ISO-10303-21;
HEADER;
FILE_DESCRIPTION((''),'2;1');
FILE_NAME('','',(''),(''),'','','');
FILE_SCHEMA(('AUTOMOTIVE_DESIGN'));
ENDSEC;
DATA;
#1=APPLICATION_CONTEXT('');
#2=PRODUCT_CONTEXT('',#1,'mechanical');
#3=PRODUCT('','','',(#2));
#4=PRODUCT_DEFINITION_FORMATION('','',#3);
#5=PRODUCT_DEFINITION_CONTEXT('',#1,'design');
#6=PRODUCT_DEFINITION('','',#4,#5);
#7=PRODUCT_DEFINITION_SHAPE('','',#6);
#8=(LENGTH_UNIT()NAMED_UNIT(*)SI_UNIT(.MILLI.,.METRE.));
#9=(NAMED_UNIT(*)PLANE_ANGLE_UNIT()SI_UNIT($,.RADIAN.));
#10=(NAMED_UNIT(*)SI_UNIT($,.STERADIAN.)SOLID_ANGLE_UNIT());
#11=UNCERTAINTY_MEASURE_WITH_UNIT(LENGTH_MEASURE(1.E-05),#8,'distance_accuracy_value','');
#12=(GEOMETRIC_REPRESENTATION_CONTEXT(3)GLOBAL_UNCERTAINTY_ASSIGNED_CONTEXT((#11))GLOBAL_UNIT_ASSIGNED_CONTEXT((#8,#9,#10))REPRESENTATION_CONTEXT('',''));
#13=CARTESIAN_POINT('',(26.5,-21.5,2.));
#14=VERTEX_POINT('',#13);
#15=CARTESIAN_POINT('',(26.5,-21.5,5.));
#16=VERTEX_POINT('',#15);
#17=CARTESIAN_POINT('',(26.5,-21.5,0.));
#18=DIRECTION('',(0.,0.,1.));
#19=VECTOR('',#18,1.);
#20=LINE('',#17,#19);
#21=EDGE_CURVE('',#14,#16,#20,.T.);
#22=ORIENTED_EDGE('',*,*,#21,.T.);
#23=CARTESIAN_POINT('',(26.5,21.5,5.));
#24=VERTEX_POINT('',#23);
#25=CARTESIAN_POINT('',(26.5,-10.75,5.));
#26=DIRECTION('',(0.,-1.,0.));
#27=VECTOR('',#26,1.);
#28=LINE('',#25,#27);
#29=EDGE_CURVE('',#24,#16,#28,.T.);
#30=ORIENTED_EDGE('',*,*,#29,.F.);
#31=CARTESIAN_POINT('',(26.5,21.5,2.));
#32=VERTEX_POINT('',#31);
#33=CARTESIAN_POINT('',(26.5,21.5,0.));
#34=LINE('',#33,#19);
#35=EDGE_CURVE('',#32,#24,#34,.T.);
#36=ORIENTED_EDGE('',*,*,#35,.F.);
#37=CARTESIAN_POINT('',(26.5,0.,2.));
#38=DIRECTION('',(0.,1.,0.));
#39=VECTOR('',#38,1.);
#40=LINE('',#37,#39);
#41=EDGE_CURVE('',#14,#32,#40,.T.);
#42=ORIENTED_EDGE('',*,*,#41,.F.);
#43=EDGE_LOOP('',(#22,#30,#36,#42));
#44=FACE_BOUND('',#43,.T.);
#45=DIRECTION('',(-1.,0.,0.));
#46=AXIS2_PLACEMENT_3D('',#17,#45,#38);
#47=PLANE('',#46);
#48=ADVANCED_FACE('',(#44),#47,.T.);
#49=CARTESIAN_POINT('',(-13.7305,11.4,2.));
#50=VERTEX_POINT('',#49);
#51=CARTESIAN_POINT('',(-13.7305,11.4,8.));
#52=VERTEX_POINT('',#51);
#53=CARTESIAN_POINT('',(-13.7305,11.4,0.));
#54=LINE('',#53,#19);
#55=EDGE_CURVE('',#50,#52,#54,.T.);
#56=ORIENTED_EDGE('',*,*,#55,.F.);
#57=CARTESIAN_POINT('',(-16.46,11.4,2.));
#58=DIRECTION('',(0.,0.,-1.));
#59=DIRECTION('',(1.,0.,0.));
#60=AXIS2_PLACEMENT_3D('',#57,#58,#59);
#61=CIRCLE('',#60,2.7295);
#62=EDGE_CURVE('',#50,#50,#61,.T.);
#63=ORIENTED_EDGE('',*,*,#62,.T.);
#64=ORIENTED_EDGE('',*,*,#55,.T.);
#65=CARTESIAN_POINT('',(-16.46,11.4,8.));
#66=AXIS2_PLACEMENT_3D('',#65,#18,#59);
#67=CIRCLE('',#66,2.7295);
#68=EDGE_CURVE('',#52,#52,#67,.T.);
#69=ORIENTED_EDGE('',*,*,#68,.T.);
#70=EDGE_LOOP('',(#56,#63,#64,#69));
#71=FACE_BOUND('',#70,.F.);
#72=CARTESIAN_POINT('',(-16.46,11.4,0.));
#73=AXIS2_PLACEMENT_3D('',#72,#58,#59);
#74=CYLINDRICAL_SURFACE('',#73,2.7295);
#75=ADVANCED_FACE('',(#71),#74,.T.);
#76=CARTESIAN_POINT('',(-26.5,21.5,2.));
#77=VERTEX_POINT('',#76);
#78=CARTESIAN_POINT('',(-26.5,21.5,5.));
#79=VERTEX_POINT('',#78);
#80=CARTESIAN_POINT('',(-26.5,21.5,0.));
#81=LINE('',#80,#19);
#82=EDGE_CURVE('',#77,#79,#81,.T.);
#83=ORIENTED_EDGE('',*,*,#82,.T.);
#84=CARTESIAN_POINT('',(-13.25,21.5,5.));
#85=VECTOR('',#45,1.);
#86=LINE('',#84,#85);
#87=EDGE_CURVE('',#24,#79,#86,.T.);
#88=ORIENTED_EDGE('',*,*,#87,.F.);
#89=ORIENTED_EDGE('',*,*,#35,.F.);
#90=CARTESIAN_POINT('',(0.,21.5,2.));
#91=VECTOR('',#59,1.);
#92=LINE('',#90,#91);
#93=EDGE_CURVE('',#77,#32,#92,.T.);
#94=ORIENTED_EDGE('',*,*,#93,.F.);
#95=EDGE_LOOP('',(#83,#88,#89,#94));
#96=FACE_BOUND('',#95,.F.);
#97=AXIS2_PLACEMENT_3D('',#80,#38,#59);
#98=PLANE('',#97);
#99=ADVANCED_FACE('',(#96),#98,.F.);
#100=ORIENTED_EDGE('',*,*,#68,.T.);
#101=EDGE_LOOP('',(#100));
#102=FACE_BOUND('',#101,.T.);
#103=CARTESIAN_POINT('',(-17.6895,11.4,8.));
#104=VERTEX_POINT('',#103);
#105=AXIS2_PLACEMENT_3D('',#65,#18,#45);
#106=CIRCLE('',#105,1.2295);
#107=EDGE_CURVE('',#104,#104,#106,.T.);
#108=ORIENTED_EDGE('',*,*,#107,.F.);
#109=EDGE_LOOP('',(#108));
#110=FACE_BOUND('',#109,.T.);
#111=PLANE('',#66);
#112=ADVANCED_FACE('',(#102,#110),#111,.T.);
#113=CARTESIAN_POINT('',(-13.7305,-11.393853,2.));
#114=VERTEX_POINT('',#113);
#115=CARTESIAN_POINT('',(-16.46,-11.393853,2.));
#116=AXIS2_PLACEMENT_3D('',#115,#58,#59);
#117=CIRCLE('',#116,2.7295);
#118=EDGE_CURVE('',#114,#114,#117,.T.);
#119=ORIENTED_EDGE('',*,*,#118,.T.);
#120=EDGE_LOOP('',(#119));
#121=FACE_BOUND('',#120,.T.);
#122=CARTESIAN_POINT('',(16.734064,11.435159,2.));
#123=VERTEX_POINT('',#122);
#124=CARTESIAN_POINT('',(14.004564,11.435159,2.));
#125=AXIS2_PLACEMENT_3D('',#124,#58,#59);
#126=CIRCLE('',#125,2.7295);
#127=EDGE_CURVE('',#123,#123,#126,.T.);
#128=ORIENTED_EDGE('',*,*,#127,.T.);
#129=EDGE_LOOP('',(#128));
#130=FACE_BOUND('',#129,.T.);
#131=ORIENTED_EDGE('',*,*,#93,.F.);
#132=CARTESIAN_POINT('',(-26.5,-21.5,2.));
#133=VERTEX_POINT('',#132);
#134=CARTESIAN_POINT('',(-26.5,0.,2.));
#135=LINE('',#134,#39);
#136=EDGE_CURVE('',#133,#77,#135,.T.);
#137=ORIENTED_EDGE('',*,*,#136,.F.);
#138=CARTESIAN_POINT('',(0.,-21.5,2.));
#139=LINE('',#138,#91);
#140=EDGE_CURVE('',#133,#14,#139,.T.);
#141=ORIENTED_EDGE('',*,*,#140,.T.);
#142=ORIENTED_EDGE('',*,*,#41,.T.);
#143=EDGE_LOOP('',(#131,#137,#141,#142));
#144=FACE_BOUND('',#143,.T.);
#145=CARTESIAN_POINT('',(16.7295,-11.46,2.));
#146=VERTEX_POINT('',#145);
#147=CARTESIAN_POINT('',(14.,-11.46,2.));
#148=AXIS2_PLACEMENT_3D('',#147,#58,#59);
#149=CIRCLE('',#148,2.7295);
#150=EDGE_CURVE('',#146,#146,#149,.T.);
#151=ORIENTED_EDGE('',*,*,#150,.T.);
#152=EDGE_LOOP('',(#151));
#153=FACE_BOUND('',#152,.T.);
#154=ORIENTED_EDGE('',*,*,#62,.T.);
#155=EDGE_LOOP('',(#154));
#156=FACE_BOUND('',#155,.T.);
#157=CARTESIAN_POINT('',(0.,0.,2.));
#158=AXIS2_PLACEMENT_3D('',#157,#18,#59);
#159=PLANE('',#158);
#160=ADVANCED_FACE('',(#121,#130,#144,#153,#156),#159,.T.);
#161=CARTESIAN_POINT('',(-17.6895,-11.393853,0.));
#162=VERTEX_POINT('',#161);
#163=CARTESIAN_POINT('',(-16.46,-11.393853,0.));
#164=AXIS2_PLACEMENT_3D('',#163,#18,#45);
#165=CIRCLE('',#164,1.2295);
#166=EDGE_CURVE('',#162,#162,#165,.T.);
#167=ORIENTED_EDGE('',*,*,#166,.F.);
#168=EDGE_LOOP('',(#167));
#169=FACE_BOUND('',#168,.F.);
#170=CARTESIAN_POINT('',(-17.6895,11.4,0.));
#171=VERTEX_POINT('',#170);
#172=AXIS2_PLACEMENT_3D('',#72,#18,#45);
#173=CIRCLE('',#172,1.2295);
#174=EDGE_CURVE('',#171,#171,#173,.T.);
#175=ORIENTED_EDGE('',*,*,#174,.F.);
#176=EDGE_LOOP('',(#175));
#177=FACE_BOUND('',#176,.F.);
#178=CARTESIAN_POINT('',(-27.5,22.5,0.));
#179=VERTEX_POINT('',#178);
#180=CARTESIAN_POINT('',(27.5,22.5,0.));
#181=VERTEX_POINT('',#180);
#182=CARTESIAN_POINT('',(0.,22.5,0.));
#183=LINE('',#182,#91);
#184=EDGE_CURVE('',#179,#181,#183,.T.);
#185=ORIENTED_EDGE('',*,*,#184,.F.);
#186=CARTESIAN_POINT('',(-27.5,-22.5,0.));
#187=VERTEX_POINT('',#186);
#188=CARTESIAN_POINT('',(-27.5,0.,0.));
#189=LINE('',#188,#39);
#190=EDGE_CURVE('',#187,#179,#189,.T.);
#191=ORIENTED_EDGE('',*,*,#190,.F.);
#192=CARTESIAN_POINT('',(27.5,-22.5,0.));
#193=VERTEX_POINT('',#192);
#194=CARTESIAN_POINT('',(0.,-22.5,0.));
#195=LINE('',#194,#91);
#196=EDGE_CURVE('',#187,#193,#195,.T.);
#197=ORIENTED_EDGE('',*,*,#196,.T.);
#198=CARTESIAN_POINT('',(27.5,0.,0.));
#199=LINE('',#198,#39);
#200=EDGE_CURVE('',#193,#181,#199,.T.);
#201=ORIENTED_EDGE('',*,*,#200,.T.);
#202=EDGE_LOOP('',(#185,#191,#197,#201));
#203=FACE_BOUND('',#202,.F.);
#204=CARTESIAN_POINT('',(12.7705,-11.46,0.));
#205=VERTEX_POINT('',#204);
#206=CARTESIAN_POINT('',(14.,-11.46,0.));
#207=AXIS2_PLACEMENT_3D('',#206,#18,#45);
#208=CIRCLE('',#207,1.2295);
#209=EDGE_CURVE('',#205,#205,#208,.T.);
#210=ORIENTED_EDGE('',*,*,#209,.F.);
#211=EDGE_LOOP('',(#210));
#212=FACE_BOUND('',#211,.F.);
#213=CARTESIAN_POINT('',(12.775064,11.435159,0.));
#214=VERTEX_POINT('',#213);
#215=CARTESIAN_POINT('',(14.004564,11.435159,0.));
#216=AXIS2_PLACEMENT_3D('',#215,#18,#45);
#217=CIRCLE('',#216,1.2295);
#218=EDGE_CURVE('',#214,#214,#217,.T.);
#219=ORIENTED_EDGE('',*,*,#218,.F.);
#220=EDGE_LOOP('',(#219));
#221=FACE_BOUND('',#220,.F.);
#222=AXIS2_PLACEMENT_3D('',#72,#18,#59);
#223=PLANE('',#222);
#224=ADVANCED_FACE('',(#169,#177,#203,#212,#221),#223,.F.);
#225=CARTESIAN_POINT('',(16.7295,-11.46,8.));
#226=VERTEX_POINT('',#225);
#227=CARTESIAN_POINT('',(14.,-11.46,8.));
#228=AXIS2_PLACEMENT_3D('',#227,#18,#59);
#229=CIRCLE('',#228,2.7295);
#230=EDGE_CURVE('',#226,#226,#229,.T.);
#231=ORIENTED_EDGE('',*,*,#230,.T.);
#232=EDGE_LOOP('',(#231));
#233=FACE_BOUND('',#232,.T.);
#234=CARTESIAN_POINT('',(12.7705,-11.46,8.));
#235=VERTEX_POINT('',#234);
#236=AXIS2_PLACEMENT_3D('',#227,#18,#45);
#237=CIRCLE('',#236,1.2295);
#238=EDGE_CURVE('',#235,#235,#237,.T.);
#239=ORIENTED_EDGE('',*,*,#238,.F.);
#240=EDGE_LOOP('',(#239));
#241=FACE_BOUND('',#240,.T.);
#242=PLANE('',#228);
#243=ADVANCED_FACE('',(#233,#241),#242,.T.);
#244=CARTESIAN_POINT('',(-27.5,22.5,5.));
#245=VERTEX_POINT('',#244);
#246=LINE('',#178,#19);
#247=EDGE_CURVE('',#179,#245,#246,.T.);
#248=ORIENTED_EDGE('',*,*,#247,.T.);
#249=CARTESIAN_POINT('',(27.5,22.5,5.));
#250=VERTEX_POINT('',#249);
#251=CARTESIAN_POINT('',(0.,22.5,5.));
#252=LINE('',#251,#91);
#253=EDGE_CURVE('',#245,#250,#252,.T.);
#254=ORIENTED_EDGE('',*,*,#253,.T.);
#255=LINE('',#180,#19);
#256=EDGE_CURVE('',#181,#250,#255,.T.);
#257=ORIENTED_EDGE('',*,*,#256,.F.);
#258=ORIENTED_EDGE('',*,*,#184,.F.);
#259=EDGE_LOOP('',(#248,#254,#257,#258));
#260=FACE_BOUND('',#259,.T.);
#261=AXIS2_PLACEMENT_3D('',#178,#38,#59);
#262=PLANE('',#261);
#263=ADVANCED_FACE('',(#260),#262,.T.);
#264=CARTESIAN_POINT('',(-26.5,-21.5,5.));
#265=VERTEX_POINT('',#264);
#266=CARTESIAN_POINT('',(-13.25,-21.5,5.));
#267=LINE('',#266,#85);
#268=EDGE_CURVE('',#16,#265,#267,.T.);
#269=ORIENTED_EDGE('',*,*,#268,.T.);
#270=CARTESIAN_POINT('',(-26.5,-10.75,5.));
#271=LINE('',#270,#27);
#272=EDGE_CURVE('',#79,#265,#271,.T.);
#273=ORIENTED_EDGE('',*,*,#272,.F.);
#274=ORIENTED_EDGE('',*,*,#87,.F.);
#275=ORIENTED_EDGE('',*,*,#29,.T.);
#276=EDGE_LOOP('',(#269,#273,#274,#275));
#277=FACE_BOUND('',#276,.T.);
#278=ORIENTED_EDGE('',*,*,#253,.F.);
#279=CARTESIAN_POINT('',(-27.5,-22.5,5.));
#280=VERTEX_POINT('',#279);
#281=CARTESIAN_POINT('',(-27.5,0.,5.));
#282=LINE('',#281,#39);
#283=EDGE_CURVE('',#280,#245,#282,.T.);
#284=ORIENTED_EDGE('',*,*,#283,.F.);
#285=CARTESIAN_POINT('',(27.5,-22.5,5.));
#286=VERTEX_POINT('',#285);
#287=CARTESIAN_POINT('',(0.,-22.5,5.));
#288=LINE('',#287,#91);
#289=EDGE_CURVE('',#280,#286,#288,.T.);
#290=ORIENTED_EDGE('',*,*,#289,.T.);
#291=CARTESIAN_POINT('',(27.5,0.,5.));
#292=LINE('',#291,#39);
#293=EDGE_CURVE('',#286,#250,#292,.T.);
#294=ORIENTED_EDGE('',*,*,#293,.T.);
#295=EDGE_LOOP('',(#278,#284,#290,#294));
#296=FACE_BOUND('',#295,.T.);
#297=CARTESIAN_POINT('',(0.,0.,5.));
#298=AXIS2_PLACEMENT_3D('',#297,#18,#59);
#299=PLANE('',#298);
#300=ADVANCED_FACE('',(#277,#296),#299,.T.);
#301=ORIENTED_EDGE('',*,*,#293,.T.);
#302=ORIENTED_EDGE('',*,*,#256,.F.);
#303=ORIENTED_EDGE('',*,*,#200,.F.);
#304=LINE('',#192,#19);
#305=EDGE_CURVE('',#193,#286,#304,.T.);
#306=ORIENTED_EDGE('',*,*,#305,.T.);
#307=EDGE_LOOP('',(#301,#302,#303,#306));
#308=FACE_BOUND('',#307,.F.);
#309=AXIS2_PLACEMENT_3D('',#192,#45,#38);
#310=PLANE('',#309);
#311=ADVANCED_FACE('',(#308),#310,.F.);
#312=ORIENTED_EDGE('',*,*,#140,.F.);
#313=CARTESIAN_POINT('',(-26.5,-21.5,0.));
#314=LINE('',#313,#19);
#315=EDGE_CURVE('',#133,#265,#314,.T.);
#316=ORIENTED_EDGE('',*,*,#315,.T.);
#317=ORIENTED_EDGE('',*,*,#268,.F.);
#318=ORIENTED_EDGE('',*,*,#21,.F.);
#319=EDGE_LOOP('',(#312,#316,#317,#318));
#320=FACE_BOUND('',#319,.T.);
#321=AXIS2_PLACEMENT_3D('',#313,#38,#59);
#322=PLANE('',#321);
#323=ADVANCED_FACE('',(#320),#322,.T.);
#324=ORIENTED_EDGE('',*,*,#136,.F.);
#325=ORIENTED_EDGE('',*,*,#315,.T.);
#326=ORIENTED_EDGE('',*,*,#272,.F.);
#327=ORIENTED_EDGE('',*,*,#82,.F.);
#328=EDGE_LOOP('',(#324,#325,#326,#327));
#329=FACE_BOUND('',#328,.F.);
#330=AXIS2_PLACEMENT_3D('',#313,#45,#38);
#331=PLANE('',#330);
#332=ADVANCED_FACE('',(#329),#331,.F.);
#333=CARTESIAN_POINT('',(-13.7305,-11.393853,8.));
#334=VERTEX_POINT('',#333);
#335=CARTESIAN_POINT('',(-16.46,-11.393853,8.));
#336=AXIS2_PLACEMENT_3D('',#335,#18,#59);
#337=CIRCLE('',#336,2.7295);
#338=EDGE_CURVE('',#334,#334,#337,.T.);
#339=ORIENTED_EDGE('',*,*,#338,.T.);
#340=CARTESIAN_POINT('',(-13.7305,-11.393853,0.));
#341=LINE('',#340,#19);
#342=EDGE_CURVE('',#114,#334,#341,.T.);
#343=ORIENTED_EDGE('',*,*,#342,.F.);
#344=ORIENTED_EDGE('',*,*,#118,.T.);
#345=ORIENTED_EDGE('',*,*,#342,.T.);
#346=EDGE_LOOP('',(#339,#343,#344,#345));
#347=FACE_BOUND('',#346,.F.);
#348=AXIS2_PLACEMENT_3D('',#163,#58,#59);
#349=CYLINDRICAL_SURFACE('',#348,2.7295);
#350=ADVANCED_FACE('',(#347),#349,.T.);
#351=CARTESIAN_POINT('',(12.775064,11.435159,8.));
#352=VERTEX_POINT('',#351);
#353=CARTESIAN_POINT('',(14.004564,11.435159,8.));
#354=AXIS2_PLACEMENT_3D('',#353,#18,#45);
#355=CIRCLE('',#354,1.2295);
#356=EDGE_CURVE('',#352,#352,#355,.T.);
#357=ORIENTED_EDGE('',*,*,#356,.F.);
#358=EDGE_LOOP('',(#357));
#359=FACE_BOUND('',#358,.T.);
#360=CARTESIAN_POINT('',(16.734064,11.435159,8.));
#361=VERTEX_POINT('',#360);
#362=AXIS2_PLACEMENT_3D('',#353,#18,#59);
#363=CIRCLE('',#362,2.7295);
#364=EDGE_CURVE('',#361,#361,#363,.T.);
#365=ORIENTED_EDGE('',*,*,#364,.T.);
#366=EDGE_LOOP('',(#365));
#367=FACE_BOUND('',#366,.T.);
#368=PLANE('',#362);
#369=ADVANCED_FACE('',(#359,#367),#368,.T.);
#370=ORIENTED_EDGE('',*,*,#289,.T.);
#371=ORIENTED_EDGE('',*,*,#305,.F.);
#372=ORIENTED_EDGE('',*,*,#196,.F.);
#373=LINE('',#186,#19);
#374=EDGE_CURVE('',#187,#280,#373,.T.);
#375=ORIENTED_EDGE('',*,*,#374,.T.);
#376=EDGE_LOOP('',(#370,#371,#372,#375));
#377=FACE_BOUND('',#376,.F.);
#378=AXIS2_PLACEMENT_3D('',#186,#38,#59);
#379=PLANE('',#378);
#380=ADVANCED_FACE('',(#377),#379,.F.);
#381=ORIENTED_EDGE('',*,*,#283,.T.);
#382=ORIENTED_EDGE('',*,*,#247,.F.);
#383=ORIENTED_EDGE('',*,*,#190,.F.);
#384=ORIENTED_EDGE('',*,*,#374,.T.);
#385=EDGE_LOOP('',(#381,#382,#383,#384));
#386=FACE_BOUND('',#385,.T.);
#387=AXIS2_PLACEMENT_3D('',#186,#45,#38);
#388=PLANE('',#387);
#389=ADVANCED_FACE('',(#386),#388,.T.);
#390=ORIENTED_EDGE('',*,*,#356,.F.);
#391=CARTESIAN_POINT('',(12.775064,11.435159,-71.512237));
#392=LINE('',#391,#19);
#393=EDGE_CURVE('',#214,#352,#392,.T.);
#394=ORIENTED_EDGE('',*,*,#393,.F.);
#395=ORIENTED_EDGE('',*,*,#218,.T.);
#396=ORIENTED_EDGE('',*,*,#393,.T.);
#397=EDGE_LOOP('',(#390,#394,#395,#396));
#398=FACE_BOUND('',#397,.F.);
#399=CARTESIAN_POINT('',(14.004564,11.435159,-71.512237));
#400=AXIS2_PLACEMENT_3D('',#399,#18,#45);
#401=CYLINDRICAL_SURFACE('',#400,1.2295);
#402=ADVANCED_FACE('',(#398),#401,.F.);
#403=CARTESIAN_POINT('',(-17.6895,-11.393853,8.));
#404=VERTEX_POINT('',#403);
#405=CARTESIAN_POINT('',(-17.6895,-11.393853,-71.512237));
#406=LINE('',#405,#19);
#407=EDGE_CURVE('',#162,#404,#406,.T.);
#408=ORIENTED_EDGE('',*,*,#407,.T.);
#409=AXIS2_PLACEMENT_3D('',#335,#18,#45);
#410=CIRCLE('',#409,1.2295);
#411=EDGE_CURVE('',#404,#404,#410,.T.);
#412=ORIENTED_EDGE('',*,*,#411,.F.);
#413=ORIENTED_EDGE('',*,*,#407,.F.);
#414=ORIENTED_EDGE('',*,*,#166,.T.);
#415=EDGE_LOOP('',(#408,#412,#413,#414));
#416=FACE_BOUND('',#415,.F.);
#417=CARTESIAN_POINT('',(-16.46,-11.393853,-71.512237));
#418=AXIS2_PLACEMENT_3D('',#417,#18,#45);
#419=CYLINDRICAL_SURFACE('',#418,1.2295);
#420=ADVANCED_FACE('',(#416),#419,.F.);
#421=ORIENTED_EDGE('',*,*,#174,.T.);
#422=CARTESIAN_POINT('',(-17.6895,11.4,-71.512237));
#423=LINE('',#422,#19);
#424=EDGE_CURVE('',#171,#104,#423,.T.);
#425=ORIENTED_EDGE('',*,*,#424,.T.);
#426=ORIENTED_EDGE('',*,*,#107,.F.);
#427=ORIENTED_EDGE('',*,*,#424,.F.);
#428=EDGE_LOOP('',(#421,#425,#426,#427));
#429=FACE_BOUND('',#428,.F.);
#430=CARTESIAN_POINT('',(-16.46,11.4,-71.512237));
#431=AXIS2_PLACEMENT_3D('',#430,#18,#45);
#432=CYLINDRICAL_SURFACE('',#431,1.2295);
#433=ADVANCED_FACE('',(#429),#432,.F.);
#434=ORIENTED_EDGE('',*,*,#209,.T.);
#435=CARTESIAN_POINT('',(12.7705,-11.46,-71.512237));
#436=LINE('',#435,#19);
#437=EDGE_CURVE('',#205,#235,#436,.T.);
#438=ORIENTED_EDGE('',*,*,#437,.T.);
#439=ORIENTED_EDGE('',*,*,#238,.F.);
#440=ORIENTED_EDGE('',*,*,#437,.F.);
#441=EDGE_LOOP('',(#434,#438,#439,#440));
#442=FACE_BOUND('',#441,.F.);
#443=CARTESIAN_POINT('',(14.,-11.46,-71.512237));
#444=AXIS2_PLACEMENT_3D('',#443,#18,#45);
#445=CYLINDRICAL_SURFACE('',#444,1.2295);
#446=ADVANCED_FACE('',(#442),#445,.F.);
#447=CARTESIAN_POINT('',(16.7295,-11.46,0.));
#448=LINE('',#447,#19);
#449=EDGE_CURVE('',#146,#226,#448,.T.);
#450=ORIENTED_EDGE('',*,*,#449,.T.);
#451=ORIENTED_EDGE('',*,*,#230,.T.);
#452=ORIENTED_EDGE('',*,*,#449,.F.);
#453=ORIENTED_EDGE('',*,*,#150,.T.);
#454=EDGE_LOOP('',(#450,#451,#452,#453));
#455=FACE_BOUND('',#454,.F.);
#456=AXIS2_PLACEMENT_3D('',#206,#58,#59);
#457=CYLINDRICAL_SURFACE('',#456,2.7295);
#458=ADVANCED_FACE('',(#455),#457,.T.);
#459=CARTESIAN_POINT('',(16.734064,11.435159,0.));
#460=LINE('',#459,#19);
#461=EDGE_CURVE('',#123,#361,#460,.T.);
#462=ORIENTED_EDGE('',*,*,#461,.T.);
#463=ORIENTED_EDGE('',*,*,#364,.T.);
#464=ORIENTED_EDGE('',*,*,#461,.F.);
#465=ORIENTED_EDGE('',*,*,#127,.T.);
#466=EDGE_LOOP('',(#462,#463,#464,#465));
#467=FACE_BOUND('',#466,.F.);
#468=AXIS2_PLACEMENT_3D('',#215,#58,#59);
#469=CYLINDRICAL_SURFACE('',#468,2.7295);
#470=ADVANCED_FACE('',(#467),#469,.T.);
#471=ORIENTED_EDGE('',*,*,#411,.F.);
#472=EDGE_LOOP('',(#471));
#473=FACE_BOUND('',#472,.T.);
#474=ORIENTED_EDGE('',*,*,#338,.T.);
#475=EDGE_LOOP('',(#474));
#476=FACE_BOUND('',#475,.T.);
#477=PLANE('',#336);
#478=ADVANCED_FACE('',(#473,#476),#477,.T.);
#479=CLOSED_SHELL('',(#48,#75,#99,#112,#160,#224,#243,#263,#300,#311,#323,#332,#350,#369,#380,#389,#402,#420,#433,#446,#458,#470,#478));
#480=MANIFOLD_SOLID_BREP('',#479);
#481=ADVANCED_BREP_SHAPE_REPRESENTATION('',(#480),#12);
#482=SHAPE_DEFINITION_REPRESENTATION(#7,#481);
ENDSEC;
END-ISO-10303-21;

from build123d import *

# Parameters (mm, degrees)
F5_W      = 55
F5_H      = 45
F6_DEPTH  = 5
F4_W      = 53
F4_H      = 43
F7_DEPTH  = 10
F8_DEPTH  = 2
F9_R      = 2.7295
F10_DEPTH = 8
F11_D     = 2.459


with BuildPart() as f6:
    # F5 (on Top) → F6 (new body)
    with BuildSketch(Plane.XY):
        Rectangle(F5_W, F5_H)
    extrude(amount=F6_DEPTH)

    # F4 (on Top) → F7 (cut)
    with BuildSketch(Plane.XY):
        Rectangle(F4_W, F4_H)
    extrude(amount=F7_DEPTH, mode=Mode.SUBTRACT)

    # F4 (on Top) → F8 (join)
    with BuildSketch(Plane.XY):
        Rectangle(F4_W, F4_H)
    extrude(amount=F8_DEPTH)

    # F9 (on Top) → F10 (join)
    with BuildSketch(Plane.XY):
        with Locations((-16.46, 11.4)):
            Circle(F9_R)
        with Locations((14, -11.46)):
            Circle(F9_R)
        with Locations((14.0045639127, 11.4351585507)):
            Circle(F9_R)
        with Locations((-16.46, -11.3938525319)):
            Circle(F9_R)
    extrude(amount=F10_DEPTH)

    # F11 (through all)
    with Locations(Plane(origin=(0, 0, 0), x_dir=(1, 0, 0), z_dir=(0, 0, -1))):
        with Locations((-16.46, -11.4), (14, 11.46), (14.0045639127, -11.4351585507), (-16.46, 11.3938525319)):
            Hole(F11_D / 2)


solid = f6.part
